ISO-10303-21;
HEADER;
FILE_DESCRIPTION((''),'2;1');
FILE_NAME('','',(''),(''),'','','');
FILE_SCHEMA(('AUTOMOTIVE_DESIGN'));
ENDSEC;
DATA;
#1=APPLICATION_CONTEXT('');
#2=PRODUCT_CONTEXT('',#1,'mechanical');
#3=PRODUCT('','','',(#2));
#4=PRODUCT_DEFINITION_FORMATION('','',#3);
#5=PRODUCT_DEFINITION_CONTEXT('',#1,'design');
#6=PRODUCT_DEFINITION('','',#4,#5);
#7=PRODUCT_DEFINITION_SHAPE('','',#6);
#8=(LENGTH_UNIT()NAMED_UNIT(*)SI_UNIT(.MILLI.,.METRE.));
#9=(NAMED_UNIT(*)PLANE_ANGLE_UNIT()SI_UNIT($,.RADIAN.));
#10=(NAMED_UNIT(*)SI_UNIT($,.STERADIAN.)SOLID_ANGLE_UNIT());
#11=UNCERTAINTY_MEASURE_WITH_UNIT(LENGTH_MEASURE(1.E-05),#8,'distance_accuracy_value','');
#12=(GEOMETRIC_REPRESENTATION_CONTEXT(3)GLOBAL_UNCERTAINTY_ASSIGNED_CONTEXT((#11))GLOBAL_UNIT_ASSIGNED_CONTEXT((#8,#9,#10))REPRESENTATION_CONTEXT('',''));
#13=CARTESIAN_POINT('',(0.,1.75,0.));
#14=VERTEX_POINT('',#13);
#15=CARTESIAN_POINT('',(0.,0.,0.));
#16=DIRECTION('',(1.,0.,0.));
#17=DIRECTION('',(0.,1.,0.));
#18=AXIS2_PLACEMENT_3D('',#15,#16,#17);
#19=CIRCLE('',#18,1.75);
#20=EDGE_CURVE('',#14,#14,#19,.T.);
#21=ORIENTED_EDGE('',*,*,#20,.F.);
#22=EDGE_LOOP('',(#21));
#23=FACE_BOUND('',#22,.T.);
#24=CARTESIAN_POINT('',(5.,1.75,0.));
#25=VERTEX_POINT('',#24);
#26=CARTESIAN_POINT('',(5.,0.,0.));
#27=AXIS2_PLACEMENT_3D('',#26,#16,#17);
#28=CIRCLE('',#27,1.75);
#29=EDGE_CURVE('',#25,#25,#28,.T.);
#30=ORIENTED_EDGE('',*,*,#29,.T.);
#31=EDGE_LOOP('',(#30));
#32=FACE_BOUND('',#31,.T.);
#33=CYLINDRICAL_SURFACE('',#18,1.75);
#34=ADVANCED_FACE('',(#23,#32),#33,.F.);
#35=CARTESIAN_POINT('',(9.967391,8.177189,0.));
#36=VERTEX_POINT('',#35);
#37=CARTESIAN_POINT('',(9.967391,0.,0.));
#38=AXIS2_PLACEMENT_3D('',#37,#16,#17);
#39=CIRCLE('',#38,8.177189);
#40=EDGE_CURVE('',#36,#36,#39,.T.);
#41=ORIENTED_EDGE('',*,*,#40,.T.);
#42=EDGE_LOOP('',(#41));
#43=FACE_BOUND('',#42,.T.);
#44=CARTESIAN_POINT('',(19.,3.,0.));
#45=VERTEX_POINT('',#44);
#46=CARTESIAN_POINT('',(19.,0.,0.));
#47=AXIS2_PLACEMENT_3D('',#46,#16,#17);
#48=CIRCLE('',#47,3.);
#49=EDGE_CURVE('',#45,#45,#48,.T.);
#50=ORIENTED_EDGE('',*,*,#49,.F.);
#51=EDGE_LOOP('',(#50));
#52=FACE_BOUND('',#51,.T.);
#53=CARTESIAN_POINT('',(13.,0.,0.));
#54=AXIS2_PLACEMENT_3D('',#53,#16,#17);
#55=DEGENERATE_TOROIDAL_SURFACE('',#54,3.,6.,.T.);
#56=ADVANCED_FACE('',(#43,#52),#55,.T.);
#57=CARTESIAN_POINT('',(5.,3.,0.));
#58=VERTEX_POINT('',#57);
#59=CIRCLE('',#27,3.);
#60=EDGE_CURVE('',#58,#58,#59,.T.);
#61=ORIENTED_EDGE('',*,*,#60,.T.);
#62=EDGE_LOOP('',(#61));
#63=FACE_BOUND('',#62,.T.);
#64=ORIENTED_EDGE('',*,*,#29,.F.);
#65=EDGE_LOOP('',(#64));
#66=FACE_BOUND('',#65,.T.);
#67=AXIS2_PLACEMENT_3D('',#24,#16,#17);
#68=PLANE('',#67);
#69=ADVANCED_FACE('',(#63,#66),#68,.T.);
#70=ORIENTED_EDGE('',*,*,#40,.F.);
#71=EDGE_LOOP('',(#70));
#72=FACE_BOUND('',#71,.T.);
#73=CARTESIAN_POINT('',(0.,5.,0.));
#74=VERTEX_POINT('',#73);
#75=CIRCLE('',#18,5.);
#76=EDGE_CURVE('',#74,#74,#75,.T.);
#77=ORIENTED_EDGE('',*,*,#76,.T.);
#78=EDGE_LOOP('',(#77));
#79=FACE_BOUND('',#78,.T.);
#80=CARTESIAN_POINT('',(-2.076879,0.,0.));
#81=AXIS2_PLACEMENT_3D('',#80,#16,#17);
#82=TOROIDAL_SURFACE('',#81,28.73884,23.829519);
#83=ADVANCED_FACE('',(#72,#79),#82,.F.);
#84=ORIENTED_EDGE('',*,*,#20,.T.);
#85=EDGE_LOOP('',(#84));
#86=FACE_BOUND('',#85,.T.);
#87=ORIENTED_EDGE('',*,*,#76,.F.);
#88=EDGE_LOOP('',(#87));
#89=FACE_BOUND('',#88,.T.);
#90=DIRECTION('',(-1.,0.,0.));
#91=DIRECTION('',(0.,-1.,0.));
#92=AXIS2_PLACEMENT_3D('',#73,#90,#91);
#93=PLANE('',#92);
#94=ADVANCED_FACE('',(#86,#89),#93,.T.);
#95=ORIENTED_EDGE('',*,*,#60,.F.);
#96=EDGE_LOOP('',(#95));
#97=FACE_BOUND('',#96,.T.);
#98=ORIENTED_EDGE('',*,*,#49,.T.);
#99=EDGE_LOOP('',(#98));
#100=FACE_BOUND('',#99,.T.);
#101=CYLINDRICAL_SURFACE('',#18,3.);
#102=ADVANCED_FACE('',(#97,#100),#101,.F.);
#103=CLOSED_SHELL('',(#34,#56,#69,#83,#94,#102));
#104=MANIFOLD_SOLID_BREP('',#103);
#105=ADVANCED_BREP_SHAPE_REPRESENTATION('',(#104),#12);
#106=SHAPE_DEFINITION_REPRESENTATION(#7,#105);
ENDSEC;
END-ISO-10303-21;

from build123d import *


with BuildPart() as part:
    # Sketch1 → Revolve1 (revolve)
    with BuildSketch(Plane.XY):
        with BuildLine():
            Line((0, 1.75), (5, 1.75))
            Line((5, 1.75), (5, 3))
            Line((5, 3), (19, 3))
            ThreePointArc((19, 3), (15.983650797, 8.205557408), (9.967390692, 8.177188502))
            ThreePointArc((9.967390692, 8.177188502), (5.160202017, 6.03486225), (0, 5))
            Line((0, 5), (0, 1.75))
        make_face()
    revolve(axis=Axis((0, 0, 0), (-1, 0, 0)))


solid = part.part
